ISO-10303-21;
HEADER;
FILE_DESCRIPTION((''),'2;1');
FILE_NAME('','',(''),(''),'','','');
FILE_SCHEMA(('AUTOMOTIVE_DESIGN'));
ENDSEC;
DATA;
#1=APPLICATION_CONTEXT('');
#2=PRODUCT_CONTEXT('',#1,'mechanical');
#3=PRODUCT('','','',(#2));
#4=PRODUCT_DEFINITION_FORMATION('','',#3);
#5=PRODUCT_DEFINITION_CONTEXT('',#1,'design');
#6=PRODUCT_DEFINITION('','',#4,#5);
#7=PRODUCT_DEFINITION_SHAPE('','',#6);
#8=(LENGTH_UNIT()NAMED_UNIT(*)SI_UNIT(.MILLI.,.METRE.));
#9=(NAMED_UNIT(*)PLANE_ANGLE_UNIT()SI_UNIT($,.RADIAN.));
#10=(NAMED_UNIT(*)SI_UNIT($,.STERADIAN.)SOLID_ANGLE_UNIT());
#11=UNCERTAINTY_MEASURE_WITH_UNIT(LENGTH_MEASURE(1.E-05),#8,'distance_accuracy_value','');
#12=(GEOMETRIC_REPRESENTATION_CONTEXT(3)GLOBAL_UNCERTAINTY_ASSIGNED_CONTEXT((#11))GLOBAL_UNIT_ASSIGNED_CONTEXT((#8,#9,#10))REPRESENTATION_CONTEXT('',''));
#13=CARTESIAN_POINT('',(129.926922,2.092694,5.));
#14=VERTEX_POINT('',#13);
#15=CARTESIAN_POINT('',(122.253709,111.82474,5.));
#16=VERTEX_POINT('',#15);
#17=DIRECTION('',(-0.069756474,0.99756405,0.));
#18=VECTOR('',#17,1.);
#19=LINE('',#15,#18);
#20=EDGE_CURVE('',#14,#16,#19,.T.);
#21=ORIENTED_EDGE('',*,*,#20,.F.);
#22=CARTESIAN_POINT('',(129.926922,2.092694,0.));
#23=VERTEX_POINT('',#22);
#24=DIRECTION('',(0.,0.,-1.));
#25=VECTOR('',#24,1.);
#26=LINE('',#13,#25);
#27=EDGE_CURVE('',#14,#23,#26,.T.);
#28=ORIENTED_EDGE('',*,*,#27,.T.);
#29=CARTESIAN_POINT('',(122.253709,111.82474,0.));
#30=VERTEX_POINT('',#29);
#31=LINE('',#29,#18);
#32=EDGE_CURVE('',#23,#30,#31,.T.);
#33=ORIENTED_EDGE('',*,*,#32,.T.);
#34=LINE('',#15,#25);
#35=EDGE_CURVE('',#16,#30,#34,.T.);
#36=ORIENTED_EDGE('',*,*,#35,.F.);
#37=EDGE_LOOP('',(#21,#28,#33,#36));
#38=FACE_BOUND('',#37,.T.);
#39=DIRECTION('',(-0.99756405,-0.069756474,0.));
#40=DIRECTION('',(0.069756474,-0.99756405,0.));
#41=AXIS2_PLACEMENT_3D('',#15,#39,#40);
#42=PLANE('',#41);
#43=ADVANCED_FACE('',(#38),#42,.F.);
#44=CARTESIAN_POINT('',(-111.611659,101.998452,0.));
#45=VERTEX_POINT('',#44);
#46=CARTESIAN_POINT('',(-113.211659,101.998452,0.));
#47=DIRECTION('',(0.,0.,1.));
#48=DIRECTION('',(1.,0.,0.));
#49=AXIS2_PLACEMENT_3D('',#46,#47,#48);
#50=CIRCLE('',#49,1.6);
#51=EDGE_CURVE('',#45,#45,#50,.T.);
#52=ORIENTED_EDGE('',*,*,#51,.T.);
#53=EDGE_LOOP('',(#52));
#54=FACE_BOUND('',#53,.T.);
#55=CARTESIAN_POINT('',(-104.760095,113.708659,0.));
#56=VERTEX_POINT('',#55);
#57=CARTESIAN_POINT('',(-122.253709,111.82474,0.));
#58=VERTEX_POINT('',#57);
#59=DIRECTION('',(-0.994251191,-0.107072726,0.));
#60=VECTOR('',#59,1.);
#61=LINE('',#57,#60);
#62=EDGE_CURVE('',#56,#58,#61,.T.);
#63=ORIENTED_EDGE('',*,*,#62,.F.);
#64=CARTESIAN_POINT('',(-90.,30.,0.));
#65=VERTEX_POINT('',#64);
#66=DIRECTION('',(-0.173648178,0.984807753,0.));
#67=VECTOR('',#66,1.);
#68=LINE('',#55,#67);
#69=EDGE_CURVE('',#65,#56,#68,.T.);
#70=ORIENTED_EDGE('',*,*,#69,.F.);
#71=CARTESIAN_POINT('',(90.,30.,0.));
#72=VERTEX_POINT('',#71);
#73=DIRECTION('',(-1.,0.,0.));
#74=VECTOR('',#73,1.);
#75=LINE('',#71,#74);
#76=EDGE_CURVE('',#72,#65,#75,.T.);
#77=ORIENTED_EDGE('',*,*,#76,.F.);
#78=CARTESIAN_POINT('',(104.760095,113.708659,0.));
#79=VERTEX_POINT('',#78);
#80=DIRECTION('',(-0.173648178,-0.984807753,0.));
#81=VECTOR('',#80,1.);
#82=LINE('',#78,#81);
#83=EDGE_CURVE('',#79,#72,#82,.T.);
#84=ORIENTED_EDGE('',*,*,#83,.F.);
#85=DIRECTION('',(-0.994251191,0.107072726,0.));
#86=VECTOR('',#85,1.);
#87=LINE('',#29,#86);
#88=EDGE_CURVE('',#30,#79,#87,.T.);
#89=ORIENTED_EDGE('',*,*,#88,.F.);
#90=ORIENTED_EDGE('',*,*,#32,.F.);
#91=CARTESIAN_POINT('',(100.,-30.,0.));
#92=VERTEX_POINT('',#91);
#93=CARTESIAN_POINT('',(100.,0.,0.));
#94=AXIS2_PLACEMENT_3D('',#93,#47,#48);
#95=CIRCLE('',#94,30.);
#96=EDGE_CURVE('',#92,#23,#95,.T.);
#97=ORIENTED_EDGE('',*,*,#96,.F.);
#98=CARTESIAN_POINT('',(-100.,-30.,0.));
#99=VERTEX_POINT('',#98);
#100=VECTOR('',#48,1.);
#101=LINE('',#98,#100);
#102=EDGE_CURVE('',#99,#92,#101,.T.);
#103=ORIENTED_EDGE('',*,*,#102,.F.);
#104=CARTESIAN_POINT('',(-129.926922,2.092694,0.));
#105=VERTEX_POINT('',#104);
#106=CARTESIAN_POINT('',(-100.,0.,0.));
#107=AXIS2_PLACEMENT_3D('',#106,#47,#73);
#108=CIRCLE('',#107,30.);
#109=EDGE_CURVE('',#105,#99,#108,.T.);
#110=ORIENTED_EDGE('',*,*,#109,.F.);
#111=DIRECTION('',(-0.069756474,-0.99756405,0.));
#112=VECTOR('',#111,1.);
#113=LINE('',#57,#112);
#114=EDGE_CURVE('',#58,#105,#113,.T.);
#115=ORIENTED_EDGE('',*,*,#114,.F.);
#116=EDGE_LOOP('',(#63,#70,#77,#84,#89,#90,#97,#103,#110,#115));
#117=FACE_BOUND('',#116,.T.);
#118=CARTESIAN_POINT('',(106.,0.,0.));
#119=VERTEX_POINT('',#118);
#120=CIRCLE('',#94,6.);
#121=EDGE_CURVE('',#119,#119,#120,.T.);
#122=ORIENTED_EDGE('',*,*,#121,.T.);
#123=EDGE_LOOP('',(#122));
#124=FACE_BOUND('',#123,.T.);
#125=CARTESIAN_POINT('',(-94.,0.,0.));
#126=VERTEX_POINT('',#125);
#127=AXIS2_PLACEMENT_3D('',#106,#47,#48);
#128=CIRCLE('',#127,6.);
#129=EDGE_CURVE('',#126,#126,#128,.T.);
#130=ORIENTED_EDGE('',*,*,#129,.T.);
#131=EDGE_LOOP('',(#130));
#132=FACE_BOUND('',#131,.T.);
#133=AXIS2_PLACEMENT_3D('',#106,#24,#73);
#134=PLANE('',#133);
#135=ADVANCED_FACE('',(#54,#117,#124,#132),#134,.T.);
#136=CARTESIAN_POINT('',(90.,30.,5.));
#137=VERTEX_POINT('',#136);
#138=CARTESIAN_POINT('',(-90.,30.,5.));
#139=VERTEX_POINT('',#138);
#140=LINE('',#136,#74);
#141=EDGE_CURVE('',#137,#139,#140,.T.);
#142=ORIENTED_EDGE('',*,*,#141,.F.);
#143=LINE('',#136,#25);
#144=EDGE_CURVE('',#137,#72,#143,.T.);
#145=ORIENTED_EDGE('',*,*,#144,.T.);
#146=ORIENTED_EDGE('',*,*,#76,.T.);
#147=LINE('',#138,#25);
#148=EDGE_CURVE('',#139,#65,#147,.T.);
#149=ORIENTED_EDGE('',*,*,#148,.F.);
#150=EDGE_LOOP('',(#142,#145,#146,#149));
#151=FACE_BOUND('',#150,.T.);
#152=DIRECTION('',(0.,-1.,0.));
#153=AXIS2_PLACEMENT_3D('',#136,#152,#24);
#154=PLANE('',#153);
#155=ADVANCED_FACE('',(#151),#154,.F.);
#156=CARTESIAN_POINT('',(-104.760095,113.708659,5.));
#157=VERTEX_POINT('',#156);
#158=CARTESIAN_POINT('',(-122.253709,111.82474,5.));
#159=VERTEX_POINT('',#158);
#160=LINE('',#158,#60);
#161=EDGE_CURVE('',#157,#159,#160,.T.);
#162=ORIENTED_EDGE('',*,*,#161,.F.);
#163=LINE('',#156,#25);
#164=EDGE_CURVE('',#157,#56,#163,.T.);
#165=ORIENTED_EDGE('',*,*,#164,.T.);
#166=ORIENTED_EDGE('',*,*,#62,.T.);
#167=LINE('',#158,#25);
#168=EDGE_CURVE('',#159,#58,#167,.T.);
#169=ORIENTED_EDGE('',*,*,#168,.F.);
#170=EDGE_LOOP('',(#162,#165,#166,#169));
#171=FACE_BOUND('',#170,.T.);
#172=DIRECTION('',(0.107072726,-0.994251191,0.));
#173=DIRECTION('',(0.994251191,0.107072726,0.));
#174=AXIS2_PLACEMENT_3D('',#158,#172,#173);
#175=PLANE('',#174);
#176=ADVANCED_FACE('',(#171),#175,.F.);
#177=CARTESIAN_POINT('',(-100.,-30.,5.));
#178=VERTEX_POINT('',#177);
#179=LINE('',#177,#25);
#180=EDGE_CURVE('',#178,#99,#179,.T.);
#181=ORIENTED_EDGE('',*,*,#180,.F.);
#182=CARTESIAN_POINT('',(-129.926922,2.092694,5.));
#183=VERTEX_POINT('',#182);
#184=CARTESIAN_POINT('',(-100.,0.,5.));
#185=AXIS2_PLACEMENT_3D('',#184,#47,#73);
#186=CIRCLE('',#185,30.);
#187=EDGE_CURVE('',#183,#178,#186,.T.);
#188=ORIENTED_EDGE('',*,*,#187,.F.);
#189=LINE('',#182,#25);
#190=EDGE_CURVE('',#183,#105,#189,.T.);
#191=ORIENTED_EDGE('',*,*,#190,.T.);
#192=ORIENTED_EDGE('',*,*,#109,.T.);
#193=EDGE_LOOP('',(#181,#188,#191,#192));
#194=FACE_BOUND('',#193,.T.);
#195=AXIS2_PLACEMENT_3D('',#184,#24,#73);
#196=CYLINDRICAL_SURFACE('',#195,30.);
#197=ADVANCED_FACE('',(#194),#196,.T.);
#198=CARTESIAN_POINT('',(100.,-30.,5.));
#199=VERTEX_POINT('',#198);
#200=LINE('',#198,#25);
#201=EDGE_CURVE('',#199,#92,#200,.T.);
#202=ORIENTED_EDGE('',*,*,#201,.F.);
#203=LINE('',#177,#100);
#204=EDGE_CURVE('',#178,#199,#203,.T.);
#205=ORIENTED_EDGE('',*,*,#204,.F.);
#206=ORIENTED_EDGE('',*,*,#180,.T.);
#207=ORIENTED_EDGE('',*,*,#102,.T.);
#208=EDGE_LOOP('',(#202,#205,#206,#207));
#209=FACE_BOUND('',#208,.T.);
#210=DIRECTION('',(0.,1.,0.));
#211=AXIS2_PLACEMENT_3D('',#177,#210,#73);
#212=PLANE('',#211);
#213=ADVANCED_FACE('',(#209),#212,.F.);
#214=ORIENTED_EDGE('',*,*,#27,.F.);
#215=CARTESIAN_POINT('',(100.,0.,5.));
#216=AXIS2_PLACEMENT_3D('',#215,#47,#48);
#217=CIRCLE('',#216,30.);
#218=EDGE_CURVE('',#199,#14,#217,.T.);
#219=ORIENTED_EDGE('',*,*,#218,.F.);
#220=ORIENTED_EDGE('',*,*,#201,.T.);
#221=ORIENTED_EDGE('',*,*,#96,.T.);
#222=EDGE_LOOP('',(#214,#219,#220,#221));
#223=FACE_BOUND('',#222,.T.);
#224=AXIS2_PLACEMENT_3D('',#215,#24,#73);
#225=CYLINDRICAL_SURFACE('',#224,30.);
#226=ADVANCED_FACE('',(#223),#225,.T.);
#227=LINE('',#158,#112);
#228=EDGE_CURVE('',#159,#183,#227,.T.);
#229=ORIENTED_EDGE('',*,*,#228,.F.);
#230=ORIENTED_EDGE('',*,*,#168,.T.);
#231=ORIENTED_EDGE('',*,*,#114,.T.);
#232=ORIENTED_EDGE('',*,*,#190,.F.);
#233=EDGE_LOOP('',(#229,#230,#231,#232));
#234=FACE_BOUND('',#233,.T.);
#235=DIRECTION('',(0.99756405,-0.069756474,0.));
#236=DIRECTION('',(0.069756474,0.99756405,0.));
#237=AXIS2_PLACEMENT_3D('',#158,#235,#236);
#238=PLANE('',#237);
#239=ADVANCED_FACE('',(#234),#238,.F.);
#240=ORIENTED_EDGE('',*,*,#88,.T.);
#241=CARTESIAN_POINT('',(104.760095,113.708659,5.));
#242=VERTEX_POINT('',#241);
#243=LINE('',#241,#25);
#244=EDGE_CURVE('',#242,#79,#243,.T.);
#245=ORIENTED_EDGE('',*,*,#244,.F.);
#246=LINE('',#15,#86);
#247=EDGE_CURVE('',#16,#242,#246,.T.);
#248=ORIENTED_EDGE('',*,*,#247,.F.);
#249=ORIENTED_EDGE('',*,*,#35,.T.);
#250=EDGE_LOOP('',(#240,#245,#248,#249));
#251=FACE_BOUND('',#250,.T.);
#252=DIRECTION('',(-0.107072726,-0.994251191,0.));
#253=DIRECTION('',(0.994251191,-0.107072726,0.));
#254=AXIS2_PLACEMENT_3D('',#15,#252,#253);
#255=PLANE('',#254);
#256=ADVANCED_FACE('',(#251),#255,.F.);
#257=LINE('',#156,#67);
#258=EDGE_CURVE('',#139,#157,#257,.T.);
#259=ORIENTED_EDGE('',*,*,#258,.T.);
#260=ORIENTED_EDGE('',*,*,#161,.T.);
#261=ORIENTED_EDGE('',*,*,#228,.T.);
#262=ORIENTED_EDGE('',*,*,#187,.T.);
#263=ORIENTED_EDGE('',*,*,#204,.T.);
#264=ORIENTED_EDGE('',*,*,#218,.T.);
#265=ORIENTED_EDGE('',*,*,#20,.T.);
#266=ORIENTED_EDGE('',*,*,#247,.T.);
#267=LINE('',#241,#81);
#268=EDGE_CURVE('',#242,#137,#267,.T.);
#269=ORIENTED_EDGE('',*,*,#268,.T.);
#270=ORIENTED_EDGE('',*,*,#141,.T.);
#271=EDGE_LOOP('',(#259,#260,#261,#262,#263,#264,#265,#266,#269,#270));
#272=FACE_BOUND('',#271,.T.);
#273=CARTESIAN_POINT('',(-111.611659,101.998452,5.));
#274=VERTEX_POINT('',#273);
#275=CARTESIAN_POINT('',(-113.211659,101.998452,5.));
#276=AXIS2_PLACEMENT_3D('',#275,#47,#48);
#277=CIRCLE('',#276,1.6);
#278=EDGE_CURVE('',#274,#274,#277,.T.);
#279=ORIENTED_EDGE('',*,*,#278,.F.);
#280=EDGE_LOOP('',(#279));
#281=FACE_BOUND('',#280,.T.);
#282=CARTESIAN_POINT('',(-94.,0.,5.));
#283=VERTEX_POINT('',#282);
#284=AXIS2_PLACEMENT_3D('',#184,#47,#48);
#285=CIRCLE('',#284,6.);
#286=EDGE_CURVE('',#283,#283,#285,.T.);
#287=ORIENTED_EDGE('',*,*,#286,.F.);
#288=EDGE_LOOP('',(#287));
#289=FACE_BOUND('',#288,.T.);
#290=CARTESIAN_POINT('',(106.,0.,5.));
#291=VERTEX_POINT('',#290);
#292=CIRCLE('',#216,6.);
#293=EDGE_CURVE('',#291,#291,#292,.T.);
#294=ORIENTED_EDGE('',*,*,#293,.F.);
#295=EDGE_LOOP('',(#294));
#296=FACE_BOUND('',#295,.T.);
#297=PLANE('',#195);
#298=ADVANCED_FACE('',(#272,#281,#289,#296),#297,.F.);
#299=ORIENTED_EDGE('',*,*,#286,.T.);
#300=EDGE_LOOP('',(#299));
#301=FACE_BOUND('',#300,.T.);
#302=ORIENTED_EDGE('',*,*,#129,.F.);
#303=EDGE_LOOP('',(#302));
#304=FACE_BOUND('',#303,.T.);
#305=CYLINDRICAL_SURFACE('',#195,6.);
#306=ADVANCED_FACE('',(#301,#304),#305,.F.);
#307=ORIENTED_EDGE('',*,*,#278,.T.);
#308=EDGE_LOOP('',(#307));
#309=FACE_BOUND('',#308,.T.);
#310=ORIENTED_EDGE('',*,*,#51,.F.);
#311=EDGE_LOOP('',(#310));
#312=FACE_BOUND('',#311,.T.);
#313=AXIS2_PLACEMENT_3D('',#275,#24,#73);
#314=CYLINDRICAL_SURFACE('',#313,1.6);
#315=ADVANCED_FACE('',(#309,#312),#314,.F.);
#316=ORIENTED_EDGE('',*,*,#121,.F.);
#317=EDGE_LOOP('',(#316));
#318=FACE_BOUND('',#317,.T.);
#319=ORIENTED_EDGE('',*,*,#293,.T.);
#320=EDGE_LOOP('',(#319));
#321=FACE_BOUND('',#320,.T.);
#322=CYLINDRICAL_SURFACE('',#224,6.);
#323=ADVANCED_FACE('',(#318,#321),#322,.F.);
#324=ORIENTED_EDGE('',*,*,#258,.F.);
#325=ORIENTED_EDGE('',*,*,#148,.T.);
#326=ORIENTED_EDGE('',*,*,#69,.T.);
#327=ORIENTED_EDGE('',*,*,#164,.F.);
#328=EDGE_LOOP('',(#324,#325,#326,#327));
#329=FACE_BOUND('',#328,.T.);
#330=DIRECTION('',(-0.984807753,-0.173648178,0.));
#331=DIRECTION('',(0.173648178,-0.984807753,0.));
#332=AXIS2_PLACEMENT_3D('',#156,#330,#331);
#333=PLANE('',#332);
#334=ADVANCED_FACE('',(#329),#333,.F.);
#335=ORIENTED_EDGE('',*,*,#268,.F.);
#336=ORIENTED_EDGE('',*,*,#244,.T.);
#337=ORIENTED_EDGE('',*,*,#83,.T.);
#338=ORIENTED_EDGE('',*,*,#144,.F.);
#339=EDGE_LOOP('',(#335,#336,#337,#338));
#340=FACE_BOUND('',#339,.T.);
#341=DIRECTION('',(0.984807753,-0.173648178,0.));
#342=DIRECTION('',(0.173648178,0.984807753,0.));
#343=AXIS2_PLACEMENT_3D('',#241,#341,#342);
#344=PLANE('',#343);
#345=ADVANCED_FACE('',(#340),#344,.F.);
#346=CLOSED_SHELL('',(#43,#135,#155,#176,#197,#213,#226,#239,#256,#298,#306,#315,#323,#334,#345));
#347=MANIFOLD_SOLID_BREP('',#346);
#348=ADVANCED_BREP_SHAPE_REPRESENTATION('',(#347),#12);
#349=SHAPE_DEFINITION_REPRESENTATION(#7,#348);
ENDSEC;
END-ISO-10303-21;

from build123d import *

# Parameters (mm, degrees)
SKETCH1_R           = 1.6
SKETCH1_R_2         = 6
BOSS_EXTRUDE1_DEPTH = 5


with BuildPart() as part:
    # Sketch1 → Boss-Extrude1 (new body)
    with BuildSketch(Plane.XY):
        with BuildLine():
            Line((90, 30), (-90, 30))
            Line((-90, 30), (-104.760095102, 113.708659006))
            Line((-104.760095102, 113.708659006), (-122.253709396, 111.824739741))
            Line((-122.253709396, 111.824739741), (-129.926921508, 2.092694212))
            ThreePointArc((-129.926921508, 2.092694212), (-121.940611049, -20.459950802), (-100, -30))
            Line((-100, -30), (100, -30))
            ThreePointArc((100, -30), (121.940611049, -20.459950802), (129.926921508, 2.092694212))
            Line((129.926921508, 2.092694212), (122.253709396, 111.824739741))
            Line((122.253709396, 111.824739741), (104.760095102, 113.708659006))
            Line((104.760095102, 113.708659006), (90, 30))
        make_face()
        with Locations((-113.211659227, 101.998451941)):
            Circle(SKETCH1_R, mode=Mode.SUBTRACT)
        with Locations((-100, 0)):
            Circle(SKETCH1_R_2, mode=Mode.SUBTRACT)
        with Locations((100, 0)):
            Circle(SKETCH1_R_2, mode=Mode.SUBTRACT)
    extrude(amount=BOSS_EXTRUDE1_DEPTH)


solid = part.part
